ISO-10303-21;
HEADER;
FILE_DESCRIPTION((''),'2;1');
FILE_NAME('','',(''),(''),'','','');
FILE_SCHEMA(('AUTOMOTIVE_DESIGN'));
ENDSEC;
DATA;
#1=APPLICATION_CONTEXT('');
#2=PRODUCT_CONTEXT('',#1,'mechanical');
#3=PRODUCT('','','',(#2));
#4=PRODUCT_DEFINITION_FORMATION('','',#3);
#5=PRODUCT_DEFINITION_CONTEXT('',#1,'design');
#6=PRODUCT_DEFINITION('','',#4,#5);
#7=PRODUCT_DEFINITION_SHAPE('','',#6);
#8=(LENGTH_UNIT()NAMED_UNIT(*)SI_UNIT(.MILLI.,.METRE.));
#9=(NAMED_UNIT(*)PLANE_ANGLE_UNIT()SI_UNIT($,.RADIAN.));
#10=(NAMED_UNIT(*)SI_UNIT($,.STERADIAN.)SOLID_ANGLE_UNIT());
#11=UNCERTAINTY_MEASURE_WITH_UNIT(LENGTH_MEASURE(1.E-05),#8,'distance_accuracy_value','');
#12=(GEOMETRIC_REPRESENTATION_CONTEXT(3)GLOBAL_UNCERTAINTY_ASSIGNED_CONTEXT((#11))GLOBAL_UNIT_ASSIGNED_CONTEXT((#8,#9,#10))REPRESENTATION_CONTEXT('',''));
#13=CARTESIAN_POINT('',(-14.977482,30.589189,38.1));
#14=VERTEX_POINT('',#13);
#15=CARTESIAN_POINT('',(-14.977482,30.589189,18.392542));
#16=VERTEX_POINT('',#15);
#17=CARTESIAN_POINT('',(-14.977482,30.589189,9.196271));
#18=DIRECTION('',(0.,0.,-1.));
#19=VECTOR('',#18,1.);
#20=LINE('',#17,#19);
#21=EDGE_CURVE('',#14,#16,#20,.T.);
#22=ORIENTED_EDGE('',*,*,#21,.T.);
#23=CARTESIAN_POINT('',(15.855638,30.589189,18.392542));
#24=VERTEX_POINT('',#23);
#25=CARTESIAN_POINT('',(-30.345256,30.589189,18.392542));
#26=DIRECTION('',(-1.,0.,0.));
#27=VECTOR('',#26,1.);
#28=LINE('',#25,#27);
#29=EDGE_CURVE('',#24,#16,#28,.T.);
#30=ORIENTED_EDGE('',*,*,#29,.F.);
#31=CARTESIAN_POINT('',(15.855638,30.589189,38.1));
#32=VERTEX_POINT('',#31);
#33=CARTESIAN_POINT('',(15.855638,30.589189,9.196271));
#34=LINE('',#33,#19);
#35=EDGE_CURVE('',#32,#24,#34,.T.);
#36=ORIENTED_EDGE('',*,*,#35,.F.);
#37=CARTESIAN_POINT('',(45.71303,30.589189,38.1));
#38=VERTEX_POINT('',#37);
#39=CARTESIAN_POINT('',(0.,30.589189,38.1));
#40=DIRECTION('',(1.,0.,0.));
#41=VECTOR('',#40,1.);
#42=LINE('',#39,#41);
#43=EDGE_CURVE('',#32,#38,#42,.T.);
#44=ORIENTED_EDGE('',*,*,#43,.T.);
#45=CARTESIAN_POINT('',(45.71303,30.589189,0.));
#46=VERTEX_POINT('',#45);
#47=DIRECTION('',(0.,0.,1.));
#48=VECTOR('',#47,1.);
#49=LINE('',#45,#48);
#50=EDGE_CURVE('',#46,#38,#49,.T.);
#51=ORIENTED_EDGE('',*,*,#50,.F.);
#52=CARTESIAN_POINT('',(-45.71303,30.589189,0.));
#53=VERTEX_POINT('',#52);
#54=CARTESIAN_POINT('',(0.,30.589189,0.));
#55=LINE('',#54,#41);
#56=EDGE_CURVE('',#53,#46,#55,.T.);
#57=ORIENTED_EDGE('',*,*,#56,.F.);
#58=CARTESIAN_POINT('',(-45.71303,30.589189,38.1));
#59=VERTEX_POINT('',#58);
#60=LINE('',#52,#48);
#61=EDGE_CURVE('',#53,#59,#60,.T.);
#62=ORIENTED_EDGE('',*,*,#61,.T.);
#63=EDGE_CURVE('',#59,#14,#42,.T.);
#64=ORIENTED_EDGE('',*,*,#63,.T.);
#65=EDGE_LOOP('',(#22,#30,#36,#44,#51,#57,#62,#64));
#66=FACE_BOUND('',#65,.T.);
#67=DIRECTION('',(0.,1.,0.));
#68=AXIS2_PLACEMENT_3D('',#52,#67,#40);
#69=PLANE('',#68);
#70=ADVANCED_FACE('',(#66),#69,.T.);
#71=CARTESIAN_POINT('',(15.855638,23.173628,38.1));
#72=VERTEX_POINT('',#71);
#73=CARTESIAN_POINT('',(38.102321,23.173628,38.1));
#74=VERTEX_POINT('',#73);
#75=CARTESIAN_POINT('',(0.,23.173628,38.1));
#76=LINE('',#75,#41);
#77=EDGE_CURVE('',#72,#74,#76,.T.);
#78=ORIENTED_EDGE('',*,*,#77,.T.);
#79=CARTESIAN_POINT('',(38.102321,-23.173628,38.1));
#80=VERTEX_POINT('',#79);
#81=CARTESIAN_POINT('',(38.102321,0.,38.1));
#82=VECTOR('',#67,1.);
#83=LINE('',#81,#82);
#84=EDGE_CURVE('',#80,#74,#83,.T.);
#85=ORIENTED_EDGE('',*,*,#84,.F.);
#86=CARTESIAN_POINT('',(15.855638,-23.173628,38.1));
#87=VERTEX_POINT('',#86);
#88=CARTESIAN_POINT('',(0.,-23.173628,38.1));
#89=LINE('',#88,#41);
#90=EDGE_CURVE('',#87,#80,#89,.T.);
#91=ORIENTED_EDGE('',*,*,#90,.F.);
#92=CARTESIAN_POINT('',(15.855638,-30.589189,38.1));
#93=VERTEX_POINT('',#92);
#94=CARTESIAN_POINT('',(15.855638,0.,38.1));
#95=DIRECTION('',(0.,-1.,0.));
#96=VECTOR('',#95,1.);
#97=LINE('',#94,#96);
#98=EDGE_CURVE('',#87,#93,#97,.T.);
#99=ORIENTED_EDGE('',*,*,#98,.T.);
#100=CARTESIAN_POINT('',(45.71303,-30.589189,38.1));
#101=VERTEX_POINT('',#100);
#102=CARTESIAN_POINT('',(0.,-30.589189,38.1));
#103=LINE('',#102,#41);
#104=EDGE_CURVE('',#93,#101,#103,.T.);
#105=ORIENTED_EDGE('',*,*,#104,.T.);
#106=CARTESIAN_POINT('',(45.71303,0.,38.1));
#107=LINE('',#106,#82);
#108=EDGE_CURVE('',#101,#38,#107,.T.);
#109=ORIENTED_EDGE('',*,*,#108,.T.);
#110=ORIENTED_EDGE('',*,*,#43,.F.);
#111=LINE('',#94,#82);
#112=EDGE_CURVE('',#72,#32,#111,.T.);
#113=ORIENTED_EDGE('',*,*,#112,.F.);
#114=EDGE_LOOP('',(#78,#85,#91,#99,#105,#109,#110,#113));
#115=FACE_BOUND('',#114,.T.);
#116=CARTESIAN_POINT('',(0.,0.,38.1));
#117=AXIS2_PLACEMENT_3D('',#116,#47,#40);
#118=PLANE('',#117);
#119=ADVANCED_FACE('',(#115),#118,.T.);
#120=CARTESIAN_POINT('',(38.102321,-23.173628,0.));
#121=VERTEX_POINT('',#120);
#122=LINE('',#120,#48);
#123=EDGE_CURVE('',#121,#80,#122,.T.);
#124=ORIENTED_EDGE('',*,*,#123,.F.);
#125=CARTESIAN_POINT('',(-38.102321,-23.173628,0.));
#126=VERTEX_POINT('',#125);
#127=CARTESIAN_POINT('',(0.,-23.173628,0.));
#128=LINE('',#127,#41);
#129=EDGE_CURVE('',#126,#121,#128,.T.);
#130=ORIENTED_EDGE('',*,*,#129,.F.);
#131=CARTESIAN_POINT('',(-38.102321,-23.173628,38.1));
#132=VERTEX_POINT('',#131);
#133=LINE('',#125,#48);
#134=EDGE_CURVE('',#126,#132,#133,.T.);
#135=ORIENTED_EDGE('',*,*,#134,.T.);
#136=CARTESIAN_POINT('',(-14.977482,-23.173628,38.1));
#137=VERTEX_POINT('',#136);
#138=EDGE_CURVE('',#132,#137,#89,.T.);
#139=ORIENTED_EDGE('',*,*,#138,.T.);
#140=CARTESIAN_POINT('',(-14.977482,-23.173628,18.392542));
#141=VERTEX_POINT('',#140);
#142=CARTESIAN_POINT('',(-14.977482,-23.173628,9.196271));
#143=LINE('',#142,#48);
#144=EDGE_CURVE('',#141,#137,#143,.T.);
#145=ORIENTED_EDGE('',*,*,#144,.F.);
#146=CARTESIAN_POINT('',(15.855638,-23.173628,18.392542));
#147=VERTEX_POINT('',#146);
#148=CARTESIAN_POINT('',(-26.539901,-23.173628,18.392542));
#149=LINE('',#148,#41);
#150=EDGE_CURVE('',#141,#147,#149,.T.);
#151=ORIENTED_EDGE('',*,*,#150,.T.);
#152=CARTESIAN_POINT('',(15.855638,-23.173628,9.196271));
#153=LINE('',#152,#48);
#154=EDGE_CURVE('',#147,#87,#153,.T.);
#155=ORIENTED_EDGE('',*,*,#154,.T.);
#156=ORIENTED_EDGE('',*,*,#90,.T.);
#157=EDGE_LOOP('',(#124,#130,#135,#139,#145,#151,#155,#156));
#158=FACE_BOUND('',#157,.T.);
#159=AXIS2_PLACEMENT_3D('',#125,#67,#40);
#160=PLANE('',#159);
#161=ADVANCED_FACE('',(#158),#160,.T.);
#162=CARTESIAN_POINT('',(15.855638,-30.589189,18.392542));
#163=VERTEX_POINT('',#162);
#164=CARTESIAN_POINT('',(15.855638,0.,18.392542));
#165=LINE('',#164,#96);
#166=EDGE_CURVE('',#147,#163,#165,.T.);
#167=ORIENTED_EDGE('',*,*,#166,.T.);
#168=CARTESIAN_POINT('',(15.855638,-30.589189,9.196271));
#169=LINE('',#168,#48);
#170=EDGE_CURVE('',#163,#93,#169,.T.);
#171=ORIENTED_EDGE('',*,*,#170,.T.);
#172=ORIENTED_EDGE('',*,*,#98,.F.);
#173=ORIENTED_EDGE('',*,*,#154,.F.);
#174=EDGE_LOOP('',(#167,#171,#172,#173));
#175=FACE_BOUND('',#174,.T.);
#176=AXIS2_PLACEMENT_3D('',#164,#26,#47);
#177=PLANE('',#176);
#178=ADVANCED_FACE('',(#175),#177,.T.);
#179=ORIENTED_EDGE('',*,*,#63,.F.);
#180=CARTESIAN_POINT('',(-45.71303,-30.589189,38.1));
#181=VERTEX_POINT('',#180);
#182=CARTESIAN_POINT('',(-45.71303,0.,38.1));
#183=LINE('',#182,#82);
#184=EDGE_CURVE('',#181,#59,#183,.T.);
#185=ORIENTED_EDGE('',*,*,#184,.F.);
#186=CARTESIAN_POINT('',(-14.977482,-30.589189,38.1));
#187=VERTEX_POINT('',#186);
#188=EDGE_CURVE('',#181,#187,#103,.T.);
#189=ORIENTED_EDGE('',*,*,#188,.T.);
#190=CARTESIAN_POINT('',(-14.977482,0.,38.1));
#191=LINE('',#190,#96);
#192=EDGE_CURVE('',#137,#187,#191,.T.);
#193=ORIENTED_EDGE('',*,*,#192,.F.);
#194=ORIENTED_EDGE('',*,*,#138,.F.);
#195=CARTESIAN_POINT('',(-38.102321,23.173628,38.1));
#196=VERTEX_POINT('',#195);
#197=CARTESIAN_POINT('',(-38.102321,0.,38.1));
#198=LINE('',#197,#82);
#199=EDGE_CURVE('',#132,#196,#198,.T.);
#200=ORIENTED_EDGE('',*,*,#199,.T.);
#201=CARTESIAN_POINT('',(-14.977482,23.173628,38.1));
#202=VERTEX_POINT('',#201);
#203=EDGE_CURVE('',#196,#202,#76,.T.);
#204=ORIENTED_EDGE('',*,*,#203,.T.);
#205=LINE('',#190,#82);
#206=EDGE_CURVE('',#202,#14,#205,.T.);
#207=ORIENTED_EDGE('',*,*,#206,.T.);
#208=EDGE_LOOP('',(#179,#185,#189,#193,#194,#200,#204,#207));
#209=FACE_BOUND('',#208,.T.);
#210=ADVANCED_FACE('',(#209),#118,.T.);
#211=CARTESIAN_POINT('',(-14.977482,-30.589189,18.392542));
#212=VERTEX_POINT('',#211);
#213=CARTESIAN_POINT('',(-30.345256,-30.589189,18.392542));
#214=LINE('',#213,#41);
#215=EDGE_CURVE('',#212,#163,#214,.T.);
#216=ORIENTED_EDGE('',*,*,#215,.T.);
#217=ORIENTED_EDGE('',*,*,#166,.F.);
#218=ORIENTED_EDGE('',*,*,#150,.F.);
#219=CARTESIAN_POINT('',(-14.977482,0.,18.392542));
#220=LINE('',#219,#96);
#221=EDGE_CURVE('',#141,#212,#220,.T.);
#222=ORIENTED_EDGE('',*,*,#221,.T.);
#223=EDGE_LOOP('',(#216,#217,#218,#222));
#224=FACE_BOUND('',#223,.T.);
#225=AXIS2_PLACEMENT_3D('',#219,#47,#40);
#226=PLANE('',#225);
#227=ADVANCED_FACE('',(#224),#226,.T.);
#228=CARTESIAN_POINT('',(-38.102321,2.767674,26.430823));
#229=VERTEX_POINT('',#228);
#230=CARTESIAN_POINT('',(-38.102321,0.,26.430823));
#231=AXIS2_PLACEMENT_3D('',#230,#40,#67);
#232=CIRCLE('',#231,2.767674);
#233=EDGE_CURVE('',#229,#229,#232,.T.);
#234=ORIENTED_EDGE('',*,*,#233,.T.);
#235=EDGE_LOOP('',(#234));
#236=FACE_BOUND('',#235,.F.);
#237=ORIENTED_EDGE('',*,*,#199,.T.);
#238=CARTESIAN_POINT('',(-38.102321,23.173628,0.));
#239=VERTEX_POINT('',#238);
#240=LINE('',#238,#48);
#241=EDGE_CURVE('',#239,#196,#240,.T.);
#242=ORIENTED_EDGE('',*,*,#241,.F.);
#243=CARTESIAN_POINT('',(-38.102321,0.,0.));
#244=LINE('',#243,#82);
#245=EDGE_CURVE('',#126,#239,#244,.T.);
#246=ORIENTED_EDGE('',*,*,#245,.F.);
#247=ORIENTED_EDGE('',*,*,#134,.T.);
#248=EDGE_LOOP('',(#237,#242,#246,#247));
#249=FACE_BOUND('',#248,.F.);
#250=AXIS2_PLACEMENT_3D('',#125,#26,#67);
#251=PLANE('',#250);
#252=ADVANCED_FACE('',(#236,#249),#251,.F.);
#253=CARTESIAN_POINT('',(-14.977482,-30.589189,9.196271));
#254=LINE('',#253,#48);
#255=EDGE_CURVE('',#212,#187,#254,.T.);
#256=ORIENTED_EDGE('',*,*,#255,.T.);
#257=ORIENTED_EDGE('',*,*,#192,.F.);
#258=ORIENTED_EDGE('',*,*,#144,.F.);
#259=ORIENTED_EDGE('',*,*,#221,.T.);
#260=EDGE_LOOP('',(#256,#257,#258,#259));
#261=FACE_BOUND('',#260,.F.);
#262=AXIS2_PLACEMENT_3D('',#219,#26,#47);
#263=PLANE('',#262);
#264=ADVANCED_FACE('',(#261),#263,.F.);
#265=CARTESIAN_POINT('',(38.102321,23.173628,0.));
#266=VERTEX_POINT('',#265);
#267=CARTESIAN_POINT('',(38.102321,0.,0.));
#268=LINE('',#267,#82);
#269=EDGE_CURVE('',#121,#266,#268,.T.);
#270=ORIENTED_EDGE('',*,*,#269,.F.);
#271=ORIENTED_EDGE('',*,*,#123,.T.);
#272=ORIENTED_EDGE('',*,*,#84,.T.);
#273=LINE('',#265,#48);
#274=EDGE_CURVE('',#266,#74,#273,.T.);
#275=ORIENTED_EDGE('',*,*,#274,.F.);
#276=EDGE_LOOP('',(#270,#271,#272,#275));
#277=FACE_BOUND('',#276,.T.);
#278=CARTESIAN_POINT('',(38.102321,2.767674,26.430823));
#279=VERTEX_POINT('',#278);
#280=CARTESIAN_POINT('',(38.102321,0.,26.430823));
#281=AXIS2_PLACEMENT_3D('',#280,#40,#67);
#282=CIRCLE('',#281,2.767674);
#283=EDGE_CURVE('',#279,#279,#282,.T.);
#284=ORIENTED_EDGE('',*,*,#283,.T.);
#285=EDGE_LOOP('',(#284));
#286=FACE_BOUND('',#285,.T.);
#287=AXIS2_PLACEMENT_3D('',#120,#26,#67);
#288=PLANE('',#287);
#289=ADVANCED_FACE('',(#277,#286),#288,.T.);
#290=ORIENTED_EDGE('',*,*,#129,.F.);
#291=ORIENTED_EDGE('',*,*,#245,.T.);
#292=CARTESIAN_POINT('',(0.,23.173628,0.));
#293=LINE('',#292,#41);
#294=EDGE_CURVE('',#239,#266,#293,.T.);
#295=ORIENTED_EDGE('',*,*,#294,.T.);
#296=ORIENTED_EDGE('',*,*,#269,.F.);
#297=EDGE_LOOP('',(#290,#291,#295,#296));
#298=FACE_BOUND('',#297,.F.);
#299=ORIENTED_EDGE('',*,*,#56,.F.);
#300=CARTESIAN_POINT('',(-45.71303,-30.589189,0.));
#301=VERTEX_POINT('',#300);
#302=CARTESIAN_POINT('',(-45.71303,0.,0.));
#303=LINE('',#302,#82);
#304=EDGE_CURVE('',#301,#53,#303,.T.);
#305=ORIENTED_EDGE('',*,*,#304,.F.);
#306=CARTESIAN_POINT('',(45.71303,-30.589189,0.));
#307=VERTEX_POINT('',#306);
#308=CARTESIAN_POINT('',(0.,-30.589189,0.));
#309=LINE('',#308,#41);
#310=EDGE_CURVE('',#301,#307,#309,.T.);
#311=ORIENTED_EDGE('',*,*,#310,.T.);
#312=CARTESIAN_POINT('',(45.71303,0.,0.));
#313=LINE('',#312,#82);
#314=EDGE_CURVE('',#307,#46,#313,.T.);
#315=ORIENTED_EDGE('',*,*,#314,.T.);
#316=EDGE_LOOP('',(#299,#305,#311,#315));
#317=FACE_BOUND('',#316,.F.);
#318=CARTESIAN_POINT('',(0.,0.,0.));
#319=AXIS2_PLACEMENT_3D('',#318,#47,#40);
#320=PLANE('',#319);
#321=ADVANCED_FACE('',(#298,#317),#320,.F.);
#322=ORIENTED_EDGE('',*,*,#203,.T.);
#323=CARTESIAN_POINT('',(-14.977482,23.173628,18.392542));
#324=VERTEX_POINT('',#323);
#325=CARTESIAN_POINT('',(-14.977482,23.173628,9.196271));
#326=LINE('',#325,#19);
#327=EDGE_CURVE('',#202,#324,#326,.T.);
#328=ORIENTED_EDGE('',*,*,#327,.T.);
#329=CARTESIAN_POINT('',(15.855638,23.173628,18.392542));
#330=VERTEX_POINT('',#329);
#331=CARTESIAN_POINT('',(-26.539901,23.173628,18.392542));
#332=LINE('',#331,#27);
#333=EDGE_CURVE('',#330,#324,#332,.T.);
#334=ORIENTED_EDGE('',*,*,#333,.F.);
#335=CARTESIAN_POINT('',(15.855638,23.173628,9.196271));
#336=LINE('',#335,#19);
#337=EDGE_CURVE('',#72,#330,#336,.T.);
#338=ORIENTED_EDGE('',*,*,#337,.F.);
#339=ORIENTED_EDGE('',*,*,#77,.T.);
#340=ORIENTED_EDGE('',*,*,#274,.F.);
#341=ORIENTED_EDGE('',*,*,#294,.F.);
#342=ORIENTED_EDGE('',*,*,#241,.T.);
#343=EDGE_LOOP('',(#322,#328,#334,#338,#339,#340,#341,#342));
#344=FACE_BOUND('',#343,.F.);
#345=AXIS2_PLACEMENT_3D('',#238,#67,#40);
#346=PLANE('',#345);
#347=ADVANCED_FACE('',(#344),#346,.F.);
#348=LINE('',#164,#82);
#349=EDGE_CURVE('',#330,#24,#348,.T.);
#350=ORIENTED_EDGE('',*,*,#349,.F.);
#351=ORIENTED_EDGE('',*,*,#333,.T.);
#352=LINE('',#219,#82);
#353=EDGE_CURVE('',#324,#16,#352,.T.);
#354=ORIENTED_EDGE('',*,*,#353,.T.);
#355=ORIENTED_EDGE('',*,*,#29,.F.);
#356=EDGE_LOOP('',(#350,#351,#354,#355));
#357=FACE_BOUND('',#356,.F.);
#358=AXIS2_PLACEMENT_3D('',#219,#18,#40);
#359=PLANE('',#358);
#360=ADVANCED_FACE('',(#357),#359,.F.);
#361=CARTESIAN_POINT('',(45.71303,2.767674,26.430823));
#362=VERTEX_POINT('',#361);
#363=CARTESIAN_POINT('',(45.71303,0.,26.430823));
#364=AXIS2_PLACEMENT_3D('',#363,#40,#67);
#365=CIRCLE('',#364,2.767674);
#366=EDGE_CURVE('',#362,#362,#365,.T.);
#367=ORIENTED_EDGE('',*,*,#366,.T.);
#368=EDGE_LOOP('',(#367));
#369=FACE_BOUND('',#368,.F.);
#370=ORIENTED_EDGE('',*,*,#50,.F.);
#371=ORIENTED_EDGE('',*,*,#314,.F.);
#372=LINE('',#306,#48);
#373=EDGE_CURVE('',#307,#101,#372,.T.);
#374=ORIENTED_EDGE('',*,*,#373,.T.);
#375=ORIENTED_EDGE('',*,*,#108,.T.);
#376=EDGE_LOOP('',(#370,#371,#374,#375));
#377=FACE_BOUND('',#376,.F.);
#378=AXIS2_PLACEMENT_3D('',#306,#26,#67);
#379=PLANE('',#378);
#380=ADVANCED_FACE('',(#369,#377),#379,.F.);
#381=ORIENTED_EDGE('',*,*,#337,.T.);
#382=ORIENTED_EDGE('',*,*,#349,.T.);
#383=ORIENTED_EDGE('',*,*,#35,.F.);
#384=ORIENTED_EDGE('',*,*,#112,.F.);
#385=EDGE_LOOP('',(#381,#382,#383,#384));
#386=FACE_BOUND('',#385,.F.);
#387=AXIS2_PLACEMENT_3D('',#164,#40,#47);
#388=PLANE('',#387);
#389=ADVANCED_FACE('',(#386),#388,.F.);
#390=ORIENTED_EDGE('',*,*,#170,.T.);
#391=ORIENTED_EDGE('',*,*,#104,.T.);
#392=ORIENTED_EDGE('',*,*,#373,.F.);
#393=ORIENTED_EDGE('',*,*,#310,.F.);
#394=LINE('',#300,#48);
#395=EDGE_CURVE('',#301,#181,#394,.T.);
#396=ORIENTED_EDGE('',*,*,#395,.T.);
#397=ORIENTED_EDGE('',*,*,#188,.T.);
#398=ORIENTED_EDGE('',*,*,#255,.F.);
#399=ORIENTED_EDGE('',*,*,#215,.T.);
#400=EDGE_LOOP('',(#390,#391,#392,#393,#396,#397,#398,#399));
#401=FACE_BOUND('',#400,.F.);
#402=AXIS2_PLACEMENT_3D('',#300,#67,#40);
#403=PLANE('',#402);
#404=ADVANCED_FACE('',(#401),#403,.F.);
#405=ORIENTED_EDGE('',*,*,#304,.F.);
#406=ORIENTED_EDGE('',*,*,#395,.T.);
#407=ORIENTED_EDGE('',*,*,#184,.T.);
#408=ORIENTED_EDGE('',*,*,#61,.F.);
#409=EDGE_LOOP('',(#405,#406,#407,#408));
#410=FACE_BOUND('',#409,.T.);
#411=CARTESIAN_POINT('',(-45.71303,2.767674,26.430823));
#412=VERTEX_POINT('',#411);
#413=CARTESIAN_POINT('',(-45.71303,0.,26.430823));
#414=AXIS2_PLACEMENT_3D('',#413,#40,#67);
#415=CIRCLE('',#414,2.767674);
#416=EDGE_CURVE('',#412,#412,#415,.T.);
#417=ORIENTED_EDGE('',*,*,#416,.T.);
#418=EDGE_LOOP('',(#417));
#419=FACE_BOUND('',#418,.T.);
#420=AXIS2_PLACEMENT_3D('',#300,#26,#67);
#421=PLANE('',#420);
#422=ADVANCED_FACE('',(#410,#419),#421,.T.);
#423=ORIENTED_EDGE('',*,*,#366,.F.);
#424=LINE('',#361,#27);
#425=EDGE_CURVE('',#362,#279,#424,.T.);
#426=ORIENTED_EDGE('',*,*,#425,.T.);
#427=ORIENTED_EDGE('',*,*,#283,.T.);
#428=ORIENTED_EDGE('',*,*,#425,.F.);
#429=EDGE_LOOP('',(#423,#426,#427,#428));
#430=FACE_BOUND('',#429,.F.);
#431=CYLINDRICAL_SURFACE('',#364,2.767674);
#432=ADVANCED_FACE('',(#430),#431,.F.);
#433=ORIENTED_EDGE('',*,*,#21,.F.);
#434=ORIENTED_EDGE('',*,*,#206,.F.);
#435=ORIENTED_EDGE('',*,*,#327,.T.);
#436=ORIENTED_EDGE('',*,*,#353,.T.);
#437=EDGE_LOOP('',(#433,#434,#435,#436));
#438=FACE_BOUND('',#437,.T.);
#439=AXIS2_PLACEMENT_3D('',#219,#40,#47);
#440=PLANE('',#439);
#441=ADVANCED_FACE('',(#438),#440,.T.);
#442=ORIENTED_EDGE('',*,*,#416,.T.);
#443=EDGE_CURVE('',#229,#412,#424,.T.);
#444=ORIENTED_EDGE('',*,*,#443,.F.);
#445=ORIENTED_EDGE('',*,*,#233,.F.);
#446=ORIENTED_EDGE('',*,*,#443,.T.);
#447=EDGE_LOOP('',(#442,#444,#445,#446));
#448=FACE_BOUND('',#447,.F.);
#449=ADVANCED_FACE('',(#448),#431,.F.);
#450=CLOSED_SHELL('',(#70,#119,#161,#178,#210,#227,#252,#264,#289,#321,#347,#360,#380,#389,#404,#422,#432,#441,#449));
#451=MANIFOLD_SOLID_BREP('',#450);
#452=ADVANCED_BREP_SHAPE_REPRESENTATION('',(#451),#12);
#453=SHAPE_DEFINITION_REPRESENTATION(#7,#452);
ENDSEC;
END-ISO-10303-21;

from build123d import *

# Parameters (mm, degrees)
F0_W     = 91.42606
F0_H     = 61.178378
F0_W_2   = 76.204642
F0_H_2   = 46.347256
F1_DEPTH = 38.1
F2_W     = 30.83312
F2_H     = 20.100074
F3_DEPTH = 62.738
F4_DEPTH = 41.91
F5_R     = 2.767674
F6_DEPTH = 103.632


with BuildPart() as f1:
    # F0 (on Top) → F1 (new body)
    with BuildSketch(Plane.XY):
        Rectangle(F0_W, F0_H)
        Rectangle(F0_W_2, F0_H_2, mode=Mode.SUBTRACT)
    extrude(amount=F1_DEPTH)

    # F2 (on Front) → F3 (cut)
    with BuildSketch(Plane.XZ):
        with Locations((0.439078, 28.442579)):
            Rectangle(F2_W, F2_H)
    extrude(amount=F3_DEPTH, mode=Mode.SUBTRACT)

    # F2 (on Front) → F4 (cut)
    with BuildSketch(Plane.XZ):
        with Locations((0.439078, 28.442579)):
            Rectangle(F2_W, F2_H)
    extrude(amount=-F4_DEPTH, mode=Mode.SUBTRACT)

    # F5 (on face) → F6 (cut)
    with BuildSketch(Plane.YZ.offset(45.71303)):
        with Locations((0, 26.430823)):
            Circle(F5_R)
    extrude(amount=-F6_DEPTH, mode=Mode.SUBTRACT)


solid = f1.part
